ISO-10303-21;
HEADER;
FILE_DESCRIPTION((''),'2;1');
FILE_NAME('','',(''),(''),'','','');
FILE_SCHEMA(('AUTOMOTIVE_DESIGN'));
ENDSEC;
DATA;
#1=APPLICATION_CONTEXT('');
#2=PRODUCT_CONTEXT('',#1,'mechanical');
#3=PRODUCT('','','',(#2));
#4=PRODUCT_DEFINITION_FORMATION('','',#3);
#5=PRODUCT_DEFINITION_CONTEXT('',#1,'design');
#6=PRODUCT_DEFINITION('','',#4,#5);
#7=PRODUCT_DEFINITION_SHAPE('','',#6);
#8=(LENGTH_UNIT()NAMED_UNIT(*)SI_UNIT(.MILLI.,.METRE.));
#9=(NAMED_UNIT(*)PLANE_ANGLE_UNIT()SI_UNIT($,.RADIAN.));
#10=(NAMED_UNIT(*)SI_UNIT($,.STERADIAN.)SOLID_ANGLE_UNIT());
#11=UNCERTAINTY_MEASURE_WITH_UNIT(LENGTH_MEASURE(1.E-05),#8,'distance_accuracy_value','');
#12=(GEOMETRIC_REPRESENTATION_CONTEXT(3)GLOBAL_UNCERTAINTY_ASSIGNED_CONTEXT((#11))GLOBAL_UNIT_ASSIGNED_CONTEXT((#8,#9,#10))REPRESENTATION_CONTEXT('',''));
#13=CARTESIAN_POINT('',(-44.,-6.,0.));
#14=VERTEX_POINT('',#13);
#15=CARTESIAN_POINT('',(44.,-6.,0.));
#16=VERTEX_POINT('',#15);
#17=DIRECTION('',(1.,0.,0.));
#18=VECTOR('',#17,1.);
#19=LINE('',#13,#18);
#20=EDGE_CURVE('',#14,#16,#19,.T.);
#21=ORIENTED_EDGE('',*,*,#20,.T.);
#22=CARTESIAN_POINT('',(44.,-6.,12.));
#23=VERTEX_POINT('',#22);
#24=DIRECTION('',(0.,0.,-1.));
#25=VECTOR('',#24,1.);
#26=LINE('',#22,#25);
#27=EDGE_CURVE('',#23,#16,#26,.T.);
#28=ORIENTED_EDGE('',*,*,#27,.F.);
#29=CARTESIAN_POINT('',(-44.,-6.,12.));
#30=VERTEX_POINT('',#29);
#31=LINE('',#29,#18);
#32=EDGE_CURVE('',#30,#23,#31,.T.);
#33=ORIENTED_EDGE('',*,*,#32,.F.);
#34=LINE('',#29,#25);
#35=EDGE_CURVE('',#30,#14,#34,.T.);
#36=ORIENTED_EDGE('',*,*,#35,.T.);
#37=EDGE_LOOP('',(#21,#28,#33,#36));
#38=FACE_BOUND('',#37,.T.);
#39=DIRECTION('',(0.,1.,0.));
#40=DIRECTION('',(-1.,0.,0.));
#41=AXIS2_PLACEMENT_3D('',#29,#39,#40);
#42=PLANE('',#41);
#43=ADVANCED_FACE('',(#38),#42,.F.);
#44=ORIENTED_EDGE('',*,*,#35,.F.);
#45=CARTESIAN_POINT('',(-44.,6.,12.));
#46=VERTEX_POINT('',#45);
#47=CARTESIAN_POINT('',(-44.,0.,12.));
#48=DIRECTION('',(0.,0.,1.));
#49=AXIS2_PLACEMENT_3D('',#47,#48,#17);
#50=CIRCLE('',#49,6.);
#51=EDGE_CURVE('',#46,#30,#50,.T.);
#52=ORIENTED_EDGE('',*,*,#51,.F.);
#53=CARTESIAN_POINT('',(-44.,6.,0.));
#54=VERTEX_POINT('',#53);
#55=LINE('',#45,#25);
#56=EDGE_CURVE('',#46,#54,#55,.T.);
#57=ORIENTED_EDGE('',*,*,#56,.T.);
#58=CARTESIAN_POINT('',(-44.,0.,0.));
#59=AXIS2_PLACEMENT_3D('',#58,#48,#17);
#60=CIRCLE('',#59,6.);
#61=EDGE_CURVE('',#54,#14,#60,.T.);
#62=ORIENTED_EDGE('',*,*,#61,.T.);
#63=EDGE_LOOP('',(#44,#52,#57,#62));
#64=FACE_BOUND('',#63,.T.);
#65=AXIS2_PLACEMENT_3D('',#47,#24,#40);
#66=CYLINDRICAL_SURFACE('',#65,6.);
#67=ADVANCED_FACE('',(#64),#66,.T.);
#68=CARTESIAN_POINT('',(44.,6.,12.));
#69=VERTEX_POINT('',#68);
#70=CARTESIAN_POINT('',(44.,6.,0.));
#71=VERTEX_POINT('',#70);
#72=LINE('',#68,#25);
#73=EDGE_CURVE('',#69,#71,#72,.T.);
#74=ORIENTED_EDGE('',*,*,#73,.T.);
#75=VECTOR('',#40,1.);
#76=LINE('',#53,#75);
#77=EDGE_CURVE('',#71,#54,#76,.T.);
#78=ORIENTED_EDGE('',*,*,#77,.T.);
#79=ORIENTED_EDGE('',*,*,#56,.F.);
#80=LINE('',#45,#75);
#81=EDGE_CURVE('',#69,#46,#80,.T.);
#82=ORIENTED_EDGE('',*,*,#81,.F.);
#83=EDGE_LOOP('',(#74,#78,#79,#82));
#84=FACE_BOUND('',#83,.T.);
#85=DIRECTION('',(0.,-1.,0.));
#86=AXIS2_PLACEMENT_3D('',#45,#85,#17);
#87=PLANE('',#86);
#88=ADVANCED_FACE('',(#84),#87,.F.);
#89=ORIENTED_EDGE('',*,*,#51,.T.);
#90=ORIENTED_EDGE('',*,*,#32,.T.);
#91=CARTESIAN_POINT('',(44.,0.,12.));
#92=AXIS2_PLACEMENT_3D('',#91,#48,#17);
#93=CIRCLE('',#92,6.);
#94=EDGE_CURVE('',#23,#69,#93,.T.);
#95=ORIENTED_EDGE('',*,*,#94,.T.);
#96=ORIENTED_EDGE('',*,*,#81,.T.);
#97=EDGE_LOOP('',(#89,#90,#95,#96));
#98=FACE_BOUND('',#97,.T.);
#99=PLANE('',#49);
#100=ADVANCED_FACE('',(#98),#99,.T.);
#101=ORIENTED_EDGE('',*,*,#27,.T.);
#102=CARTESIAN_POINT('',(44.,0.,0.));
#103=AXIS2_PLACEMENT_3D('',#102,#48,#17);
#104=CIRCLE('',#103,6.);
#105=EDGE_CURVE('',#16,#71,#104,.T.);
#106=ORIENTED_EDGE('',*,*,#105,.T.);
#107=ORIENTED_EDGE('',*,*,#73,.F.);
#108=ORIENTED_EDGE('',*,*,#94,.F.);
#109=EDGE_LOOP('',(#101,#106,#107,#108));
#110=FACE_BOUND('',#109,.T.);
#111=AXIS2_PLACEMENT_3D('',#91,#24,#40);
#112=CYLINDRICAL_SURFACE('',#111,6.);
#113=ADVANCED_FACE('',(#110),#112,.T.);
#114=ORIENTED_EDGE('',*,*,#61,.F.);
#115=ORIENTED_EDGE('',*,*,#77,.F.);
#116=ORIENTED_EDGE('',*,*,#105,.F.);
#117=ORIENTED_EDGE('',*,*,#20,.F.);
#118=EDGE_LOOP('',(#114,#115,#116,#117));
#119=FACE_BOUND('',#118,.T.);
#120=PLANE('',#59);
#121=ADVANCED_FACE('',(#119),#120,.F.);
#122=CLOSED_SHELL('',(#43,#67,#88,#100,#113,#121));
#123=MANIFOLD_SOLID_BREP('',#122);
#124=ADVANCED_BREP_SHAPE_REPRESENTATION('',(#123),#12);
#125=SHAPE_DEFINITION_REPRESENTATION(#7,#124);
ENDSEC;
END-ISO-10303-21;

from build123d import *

# Parameters (mm, degrees)
BOSS_EXTRUDE1_DEPTH = 12


with BuildPart() as part:
    # Sketch1 → Boss-Extrude1 (new body)
    with BuildSketch(Plane.XY):
        with BuildLine():
            Line((-44, 6), (44, 6))
            ThreePointArc((44, 6), (50, 0), (44, -6))
            Line((44, -6), (-44, -6))
            ThreePointArc((-44, -6), (-50, 0), (-44, 6))
        make_face()
    extrude(amount=BOSS_EXTRUDE1_DEPTH)


solid = part.part
